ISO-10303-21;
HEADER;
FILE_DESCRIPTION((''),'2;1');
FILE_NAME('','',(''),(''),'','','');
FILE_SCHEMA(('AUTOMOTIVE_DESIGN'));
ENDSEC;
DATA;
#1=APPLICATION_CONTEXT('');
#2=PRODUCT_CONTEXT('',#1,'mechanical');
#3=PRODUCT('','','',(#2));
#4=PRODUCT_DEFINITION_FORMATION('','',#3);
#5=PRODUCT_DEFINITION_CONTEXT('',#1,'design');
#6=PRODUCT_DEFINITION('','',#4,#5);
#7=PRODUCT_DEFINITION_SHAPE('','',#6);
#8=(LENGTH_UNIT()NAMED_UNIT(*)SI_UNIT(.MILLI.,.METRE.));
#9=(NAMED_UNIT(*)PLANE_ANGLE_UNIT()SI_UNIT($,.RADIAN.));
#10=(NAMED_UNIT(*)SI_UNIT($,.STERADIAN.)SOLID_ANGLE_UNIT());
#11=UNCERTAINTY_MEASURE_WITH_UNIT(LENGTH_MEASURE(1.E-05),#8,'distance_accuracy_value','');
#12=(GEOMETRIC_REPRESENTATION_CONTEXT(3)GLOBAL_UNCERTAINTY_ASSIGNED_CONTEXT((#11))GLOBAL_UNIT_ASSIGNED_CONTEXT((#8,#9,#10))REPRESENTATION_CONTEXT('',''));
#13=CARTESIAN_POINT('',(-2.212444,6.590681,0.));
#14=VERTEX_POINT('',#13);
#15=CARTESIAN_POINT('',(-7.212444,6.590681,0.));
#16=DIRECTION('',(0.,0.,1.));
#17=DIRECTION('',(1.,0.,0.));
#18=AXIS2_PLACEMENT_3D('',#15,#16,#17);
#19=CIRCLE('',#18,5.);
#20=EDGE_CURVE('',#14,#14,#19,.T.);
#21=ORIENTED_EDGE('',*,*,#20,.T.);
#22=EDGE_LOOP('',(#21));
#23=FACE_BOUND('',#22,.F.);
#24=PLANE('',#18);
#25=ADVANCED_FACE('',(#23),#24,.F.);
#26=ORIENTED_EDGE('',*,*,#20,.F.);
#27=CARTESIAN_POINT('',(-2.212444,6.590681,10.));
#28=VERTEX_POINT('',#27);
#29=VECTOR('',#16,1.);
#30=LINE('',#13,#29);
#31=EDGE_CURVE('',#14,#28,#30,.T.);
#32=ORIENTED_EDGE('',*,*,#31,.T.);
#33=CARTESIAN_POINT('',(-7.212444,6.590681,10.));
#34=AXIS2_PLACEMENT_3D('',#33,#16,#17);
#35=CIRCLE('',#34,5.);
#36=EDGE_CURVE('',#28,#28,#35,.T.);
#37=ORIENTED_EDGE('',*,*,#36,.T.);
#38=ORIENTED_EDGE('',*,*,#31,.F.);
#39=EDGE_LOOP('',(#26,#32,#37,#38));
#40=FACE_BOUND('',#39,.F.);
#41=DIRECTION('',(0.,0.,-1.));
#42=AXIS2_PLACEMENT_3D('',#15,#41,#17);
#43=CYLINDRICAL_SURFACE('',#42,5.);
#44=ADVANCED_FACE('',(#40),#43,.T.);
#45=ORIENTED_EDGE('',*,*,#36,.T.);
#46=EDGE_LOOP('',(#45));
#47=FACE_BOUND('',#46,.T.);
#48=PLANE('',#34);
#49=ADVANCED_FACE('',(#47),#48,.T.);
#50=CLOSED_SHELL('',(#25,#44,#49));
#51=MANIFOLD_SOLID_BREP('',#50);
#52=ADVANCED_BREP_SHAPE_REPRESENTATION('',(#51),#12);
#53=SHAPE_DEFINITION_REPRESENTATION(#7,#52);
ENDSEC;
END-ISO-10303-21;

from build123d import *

# Parameters (mm, degrees)
SKETCH_1_R      = 5
EXTRUDE_1_DEPTH = 10


with BuildPart() as part:
    # 草图1 → 凸台-拉伸1 (new body)
    with BuildSketch(Plane.XY):
        with Locations((-7.212443888, 6.590681484)):
            Circle(SKETCH_1_R)
    extrude(amount=EXTRUDE_1_DEPTH)


solid = part.part
